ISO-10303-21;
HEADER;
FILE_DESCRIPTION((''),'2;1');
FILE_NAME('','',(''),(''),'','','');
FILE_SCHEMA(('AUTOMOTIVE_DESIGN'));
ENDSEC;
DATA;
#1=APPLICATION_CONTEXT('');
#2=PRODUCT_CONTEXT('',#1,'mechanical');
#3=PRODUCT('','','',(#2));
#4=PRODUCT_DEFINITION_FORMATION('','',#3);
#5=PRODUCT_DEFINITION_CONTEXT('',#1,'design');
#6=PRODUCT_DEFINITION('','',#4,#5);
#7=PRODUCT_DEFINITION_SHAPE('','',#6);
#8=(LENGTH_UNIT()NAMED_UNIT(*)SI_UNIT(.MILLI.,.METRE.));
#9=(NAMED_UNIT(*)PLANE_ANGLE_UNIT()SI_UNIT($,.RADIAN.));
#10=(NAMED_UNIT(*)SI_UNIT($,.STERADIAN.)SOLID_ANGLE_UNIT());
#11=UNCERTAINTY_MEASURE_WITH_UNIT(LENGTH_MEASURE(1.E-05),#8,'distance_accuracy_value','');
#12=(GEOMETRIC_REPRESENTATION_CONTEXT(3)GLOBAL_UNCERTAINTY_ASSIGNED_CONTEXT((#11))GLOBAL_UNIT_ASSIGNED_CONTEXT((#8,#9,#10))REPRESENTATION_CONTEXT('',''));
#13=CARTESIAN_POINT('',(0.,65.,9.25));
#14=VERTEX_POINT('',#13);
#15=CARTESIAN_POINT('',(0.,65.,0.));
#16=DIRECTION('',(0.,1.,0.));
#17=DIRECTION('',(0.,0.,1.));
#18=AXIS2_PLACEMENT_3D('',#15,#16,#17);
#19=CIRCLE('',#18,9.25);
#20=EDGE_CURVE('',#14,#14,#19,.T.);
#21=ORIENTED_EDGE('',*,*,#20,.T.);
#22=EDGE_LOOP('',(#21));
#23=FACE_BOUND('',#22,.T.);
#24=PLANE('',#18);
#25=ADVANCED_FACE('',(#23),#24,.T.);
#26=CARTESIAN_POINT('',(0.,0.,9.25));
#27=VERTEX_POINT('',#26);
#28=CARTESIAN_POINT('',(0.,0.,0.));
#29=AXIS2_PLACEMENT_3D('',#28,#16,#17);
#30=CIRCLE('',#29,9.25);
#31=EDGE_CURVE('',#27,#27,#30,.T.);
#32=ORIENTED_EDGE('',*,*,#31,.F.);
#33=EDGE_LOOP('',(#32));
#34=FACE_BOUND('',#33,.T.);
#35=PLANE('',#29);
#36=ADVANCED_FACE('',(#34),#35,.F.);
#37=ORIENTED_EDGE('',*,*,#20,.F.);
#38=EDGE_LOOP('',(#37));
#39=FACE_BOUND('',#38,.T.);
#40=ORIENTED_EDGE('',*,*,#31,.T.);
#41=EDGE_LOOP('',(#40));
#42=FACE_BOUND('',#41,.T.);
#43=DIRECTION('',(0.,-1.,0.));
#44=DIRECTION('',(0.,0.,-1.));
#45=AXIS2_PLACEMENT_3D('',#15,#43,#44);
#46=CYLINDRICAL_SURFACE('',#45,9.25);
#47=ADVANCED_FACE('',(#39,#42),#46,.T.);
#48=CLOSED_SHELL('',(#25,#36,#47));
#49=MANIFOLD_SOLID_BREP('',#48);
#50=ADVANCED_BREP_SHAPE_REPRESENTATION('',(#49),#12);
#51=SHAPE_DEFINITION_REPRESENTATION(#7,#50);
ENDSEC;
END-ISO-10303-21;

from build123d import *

# Parameters (mm, degrees)
SKETCH1_R           = 9.25
BOSS_EXTRUDE1_DEPTH = 65


with BuildPart() as part:
    # Sketch1 → Boss-Extrude1 (new body)
    with BuildSketch(Plane(origin=(0, 0, 0), x_dir=(1, 0, 0), z_dir=(0, 1, 0))):
        Circle(SKETCH1_R)
    extrude(amount=BOSS_EXTRUDE1_DEPTH)


solid = part.part
